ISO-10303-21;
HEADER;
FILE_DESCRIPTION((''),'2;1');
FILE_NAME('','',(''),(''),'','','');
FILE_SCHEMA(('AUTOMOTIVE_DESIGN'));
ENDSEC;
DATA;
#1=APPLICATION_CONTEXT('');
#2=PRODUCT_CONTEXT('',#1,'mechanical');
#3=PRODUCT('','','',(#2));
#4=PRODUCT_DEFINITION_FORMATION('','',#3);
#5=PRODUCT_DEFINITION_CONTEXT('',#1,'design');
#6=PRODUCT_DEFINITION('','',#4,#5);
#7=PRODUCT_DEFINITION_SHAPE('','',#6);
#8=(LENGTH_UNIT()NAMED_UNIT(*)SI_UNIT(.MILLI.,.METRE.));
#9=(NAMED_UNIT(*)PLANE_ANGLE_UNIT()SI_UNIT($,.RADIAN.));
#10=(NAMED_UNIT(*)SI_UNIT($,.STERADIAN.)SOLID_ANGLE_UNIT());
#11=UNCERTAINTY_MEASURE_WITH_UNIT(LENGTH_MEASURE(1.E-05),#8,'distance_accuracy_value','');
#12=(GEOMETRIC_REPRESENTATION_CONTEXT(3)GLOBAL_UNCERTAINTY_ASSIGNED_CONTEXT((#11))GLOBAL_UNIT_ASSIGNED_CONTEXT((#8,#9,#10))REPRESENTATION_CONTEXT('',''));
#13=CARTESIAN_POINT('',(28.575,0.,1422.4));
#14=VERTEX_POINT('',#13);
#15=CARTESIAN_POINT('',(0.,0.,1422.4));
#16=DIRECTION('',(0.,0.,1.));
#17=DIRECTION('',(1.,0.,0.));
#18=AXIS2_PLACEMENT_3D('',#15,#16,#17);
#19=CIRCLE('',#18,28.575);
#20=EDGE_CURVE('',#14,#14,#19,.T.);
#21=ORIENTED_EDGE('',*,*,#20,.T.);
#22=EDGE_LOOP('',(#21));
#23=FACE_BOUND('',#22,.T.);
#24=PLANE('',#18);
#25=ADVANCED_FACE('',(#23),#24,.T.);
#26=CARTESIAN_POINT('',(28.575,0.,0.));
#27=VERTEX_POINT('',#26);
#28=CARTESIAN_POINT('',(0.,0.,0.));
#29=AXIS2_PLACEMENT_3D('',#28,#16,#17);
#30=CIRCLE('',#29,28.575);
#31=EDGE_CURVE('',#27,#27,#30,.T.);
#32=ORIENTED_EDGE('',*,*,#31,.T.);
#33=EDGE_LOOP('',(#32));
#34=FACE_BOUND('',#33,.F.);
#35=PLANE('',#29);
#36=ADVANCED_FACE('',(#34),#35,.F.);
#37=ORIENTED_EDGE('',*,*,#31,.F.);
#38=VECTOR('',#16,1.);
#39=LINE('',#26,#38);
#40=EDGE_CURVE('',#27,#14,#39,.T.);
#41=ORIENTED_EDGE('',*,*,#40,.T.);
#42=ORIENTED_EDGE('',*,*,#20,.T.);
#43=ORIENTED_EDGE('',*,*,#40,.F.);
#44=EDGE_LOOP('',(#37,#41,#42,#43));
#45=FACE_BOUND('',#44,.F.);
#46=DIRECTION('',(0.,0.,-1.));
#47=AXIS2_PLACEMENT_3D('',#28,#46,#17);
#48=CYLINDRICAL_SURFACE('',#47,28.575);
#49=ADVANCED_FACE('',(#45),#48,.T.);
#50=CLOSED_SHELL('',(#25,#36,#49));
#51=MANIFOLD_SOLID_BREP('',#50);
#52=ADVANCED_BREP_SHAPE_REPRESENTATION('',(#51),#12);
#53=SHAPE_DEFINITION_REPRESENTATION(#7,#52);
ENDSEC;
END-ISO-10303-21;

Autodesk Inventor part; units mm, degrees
ref_plane "YZ Plane" through (0, 0, 0) normal (1, 0, 0) x (0, 1, 0)
ref_plane "XZ Plane" through (0, 0, 0) normal (0, 1, 0) x (-1, 0, 0)
ref_plane "XY Plane" through (0, 0, 0) normal (0, 0, 1) x (1, 0, 0)
sketch "Sketch1" plane through (0, 0, 0) normal (0, 0, 1) x (1, 0, 0)
  circle A0 centre (0, 0) radius 28.575
  dimension "d0" = 57.15
extrude "Extrusion1" add sketch "Sketch1" along normal blind 1422.4
properties part number "driveshaft_m"
